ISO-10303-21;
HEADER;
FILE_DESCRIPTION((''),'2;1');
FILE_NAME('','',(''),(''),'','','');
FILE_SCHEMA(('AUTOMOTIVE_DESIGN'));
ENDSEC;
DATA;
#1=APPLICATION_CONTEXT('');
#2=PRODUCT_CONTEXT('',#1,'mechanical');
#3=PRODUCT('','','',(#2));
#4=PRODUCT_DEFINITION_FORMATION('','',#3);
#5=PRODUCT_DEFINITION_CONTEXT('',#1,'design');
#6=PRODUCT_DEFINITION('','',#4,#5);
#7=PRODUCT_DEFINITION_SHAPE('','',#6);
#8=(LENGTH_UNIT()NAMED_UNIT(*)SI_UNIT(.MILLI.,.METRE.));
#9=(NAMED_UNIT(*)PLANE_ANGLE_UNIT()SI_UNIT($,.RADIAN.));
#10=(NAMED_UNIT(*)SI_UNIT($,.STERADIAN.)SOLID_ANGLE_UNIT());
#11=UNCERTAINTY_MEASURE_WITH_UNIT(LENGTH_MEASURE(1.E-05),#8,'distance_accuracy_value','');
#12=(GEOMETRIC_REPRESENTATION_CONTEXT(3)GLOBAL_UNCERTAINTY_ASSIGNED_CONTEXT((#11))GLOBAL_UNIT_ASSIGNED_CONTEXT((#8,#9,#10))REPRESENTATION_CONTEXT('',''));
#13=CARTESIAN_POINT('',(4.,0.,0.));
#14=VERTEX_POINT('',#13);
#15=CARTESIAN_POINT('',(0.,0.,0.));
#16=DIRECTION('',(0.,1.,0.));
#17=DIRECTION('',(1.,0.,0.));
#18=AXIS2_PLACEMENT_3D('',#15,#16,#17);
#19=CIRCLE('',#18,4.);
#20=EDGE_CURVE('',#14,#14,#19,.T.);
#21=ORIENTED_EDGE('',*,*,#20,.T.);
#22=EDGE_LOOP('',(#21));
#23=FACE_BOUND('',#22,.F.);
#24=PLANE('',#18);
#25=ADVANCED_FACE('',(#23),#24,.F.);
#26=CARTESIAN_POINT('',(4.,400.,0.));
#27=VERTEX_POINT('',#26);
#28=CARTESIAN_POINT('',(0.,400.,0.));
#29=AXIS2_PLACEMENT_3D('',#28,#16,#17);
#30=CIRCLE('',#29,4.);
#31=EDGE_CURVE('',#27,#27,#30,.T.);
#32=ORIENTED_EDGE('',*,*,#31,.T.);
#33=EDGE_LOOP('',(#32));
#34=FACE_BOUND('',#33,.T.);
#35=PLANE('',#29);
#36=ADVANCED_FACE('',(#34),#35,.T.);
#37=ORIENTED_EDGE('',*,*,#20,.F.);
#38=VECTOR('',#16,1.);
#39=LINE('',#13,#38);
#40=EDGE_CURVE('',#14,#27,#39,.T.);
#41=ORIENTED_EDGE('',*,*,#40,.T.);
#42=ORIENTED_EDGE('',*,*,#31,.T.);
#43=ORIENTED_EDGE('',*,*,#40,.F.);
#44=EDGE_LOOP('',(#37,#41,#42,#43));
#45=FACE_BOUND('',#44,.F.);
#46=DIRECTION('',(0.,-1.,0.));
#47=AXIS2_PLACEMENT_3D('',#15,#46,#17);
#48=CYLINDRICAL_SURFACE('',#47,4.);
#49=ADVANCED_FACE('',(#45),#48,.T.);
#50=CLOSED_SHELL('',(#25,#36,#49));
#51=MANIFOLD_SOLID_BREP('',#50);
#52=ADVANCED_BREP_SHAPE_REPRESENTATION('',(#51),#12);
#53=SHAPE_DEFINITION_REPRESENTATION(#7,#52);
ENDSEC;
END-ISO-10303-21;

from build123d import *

# Parameters (mm, degrees)
SKICA1_R                = 4
P_IDAT_VYSUNUT_M1_DEPTH = 400


with BuildPart() as part:
    # Skica1 → Přidat vysunutím1 (new body)
    with BuildSketch(Plane(origin=(0, 0, 0), x_dir=(1, 0, 0), z_dir=(0, 1, 0))):
        Circle(SKICA1_R)
    extrude(amount=P_IDAT_VYSUNUT_M1_DEPTH)


solid = part.part
